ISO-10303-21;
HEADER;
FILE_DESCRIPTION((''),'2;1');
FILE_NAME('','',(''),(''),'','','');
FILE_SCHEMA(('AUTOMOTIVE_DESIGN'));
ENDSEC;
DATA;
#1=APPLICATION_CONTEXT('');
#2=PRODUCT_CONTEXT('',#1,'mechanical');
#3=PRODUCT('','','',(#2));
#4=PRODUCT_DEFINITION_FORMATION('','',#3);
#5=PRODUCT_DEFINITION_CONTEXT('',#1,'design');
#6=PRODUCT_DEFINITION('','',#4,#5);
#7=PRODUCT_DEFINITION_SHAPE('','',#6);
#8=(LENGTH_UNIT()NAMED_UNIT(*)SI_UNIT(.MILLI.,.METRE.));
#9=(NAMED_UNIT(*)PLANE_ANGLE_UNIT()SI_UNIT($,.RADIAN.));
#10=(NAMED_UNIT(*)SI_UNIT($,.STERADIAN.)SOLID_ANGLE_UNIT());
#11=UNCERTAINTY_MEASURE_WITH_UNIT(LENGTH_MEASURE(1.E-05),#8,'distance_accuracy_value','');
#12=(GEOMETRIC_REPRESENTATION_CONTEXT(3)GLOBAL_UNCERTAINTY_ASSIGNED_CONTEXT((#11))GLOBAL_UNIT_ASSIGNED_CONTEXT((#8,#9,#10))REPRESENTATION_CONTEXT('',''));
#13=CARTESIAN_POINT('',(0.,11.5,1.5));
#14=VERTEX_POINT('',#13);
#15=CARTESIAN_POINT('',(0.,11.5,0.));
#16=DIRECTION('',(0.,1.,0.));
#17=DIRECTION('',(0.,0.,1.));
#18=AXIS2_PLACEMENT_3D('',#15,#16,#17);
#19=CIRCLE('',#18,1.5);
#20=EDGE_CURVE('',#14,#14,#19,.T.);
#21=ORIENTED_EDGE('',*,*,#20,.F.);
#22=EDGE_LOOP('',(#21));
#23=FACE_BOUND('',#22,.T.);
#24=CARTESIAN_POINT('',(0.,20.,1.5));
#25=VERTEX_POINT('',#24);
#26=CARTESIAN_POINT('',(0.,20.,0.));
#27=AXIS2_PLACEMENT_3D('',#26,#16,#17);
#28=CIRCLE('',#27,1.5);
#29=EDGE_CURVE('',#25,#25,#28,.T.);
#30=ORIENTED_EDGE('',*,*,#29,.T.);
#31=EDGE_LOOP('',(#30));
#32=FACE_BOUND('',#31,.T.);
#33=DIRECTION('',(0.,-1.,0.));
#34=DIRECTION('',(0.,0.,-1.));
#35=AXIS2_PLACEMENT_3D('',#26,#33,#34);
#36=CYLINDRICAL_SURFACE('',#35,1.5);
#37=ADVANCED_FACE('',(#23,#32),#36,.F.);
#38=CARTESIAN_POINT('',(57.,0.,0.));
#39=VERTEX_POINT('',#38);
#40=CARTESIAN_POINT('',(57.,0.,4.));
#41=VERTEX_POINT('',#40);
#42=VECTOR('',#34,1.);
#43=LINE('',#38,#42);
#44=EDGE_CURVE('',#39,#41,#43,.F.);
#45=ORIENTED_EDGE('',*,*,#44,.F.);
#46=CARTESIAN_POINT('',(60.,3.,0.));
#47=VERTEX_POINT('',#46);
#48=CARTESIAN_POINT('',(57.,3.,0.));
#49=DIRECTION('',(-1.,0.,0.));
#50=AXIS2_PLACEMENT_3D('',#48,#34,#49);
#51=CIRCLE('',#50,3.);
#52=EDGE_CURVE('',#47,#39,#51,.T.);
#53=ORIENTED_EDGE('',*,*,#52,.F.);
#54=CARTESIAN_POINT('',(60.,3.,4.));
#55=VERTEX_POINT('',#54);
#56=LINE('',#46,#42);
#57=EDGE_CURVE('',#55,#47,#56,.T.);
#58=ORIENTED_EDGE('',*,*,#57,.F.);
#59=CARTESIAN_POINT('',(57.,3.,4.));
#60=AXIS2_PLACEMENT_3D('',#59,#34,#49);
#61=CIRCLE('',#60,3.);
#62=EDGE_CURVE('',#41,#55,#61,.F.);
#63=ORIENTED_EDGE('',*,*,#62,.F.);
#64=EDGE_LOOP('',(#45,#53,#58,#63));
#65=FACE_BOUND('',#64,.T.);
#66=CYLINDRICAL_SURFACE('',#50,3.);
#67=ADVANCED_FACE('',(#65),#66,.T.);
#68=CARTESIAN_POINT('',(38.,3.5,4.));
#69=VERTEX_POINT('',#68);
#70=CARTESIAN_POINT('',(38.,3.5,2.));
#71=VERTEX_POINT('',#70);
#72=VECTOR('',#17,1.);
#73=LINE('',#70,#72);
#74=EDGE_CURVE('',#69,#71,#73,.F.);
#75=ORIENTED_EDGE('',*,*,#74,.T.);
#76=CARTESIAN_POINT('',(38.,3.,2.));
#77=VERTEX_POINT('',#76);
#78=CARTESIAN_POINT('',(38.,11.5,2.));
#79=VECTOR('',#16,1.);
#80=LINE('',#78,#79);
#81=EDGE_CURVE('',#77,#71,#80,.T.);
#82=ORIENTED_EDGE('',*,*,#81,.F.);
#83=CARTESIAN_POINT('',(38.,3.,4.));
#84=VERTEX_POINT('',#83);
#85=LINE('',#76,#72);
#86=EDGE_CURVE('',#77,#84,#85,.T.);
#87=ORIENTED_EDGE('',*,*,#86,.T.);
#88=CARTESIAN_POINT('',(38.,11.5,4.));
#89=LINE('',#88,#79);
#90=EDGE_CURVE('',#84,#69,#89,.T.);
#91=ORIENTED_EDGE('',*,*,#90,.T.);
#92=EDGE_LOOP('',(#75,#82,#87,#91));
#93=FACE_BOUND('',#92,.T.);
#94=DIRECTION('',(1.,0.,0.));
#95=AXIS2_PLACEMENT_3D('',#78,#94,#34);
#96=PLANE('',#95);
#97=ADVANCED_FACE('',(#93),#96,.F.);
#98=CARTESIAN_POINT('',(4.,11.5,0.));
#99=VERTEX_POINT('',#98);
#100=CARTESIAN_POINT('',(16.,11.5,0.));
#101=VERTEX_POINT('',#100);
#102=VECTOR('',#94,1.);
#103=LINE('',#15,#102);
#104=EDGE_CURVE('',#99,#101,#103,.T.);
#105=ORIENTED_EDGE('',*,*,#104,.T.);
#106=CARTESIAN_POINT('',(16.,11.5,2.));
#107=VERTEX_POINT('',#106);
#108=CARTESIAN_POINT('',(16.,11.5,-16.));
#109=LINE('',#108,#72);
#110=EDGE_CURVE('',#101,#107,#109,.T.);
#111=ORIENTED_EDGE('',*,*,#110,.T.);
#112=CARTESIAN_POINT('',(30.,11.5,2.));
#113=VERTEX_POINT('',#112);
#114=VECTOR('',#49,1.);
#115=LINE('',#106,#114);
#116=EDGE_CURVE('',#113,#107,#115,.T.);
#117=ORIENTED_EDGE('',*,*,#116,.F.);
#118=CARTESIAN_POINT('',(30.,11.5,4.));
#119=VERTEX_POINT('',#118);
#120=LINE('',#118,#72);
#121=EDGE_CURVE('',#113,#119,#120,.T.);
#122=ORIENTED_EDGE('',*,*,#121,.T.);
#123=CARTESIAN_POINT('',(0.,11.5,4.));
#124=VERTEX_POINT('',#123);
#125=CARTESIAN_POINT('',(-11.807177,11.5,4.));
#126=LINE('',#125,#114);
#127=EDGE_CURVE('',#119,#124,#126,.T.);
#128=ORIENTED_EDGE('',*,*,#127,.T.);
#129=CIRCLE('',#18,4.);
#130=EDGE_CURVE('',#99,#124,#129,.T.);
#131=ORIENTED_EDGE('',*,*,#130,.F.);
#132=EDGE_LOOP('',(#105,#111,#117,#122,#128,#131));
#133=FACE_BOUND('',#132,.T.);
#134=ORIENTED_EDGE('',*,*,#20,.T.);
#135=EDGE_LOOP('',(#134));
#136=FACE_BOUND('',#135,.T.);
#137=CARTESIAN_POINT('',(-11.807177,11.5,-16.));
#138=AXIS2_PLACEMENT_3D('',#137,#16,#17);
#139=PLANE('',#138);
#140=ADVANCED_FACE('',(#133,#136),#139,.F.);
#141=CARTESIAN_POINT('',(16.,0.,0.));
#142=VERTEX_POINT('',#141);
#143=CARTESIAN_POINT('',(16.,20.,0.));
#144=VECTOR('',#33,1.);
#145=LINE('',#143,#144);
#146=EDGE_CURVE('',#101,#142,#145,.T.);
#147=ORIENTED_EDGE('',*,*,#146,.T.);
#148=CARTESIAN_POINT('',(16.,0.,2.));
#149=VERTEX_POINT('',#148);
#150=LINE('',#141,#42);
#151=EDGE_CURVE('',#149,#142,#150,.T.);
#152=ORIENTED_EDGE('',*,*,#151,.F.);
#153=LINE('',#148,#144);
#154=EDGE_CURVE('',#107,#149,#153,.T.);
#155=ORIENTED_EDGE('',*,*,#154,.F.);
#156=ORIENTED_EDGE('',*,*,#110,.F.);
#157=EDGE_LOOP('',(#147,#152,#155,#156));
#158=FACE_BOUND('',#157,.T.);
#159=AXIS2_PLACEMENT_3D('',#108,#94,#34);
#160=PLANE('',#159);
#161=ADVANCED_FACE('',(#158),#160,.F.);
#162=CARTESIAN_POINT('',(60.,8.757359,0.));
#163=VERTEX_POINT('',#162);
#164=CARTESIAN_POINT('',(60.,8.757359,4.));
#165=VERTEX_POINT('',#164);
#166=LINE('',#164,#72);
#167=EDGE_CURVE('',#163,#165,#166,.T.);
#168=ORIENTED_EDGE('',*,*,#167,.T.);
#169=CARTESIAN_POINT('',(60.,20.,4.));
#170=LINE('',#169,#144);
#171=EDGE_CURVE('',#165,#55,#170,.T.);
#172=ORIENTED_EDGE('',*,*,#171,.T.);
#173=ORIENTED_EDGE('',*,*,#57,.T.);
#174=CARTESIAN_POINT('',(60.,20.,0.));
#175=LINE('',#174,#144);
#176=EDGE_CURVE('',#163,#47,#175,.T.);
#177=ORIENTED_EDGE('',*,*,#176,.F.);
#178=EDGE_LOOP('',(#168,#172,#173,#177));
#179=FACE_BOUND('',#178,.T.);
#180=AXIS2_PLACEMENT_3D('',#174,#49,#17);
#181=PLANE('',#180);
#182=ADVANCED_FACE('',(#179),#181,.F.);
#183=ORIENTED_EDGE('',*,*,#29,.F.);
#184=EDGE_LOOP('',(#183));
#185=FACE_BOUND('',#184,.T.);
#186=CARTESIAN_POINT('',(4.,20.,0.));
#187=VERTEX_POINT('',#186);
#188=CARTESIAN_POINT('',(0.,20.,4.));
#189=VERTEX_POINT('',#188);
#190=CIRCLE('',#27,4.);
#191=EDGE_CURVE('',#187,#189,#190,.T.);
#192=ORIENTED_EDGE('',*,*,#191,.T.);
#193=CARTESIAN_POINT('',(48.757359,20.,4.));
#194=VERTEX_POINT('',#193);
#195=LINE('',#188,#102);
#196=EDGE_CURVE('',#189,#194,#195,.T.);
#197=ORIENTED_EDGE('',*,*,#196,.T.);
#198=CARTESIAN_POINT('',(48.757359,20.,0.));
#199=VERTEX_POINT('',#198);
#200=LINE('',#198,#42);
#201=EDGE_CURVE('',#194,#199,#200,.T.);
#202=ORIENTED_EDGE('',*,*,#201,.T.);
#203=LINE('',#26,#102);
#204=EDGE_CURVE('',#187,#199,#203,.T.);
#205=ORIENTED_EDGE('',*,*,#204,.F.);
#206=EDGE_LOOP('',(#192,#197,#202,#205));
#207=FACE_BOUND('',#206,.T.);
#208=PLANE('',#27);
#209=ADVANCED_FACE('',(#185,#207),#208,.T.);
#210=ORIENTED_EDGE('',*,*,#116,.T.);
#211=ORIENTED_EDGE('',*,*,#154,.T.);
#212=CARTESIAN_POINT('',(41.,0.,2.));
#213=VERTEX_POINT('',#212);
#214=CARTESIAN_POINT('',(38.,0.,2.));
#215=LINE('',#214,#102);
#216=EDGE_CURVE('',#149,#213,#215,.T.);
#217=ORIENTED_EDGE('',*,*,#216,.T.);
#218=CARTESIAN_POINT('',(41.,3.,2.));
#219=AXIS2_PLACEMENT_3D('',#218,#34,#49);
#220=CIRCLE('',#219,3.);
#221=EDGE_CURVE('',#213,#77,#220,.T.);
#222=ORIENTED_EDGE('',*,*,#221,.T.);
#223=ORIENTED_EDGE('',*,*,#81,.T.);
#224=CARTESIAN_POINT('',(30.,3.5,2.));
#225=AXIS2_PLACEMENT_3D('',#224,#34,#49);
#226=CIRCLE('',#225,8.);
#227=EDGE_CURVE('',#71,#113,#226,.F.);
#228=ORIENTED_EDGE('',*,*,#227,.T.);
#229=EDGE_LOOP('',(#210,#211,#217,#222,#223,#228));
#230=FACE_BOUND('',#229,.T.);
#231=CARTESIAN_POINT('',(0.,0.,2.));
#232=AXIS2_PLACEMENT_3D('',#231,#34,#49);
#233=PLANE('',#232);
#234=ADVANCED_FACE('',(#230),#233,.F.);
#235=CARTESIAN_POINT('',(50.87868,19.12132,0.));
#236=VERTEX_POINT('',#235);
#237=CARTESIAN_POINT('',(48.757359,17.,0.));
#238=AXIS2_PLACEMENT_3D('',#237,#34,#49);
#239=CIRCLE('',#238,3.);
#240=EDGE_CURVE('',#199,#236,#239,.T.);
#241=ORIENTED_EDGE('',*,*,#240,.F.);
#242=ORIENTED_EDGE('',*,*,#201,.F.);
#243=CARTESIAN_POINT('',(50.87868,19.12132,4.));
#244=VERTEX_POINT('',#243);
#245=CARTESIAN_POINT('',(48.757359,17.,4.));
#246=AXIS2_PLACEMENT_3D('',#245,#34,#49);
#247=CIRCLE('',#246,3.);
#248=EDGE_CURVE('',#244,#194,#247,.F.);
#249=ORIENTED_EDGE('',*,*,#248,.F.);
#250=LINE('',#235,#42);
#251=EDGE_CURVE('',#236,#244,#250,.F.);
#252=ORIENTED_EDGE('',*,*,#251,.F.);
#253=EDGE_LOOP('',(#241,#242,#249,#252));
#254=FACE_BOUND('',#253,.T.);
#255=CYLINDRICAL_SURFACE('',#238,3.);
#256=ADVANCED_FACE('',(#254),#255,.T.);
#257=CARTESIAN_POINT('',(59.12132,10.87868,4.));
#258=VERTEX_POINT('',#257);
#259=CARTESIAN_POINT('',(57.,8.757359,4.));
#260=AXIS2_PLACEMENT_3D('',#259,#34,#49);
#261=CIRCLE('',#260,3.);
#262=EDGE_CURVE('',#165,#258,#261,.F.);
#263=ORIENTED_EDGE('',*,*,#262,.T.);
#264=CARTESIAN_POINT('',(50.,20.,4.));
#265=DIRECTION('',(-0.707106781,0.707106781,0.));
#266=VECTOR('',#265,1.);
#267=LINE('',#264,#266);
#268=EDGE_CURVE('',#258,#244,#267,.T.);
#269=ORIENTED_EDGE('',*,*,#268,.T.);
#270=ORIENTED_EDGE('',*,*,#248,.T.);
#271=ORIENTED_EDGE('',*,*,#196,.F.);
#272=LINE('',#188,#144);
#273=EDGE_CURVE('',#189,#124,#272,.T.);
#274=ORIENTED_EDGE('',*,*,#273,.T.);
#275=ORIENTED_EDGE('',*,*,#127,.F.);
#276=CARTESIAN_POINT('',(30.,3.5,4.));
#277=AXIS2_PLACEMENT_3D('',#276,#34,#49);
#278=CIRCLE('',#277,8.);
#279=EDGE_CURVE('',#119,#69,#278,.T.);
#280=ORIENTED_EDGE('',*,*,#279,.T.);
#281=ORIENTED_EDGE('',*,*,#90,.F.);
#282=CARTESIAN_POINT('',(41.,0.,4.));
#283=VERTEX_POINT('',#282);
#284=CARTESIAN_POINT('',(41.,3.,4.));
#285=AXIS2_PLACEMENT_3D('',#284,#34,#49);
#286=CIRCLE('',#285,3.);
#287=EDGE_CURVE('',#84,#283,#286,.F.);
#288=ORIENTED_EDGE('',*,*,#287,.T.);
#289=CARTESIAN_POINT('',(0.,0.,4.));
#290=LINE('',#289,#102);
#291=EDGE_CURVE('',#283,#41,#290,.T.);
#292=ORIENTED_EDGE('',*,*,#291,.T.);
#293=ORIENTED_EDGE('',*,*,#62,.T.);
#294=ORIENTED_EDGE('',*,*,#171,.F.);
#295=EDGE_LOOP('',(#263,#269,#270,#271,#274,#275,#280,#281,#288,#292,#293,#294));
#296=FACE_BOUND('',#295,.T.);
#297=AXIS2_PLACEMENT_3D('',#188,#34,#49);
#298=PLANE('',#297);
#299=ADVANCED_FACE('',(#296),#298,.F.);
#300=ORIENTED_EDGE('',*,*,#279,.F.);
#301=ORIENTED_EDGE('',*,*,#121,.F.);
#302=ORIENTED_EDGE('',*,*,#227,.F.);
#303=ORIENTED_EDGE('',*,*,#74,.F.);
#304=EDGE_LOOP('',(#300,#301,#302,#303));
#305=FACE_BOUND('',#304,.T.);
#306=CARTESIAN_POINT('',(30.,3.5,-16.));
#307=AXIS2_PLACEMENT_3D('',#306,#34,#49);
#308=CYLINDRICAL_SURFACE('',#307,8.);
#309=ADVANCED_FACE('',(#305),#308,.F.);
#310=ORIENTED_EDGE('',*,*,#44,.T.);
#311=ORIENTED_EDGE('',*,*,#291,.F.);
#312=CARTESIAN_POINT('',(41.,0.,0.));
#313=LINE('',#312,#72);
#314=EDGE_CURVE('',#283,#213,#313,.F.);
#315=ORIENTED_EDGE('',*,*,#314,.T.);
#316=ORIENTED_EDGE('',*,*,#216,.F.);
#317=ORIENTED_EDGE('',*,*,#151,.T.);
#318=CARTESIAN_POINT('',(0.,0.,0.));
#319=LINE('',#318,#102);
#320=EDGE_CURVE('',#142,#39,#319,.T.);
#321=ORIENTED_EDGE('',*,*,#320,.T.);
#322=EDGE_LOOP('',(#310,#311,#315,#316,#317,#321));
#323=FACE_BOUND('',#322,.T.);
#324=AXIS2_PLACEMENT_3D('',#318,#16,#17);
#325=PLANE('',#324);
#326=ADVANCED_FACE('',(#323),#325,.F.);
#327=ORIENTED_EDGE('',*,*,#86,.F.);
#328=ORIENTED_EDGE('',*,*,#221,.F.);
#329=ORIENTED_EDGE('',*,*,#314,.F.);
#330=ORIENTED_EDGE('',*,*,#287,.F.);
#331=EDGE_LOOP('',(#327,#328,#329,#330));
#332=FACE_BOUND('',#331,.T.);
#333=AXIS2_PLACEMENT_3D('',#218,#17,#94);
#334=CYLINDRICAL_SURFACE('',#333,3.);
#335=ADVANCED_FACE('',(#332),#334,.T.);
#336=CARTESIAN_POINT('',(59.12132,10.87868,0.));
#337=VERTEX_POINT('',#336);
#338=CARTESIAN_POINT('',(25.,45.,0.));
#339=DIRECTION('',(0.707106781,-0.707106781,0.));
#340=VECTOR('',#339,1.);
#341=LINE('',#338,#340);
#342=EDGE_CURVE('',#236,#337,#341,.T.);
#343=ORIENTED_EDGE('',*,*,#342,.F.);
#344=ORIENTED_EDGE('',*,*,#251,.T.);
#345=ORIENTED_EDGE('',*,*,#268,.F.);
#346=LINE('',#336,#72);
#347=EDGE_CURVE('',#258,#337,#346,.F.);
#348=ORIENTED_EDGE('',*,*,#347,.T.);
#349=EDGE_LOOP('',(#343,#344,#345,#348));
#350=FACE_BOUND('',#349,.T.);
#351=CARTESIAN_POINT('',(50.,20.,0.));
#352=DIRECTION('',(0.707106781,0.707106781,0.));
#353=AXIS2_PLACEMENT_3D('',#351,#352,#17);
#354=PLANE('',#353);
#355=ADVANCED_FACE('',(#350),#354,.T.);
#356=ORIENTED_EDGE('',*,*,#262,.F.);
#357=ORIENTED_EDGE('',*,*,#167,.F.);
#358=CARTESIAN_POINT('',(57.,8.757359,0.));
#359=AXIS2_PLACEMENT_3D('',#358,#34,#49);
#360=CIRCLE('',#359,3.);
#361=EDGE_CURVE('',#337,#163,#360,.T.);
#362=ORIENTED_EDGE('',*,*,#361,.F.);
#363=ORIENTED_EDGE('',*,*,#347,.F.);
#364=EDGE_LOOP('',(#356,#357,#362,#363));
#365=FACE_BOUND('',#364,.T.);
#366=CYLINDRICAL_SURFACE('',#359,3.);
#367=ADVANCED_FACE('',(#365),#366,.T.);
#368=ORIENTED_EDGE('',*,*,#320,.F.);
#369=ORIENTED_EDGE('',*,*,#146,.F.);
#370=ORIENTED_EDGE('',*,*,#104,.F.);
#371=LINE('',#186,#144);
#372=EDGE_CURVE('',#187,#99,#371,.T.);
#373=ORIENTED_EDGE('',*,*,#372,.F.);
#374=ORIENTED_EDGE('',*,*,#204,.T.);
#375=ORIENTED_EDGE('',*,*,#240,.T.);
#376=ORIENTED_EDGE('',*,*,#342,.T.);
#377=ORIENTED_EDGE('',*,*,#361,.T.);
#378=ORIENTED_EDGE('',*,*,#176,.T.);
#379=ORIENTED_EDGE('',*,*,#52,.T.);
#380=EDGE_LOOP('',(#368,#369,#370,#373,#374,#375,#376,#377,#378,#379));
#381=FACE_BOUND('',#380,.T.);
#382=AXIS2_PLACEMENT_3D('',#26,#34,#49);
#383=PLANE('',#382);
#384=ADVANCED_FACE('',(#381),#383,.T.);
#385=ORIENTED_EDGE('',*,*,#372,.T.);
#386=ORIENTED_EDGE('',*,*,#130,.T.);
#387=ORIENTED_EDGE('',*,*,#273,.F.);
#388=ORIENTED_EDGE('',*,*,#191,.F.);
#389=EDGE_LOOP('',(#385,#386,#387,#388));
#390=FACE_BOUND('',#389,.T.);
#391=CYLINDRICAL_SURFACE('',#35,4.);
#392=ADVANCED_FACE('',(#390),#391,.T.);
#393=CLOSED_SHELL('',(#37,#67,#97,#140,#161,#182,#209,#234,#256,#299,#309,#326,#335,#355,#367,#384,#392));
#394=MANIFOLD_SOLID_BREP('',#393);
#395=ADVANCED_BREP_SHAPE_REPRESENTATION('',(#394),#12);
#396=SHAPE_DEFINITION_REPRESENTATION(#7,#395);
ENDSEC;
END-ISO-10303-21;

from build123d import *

# Parameters (mm, degrees)
CROQUIS1_R              = 4
CROQUIS1_R_2            = 1.5
SALIENTE_EXTRUIR1_DEPTH = 20
CROQUIS2_W              = 27.807177066
CROQUIS2_H              = 11.5
CORTAR_EXTRUIR1_DEPTH   = 20
CROQUIS3_W              = 22
CROQUIS3_H              = 11.5
CORTAR_EXTRUIR2_DEPTH   = 2
CHAFL_N1_SIZE           = 10
REDONDEO1_R             = 3
REDONDEO2_R             = 3
REDONDEO3_R             = 3
REDONDEO4_R             = 8


with BuildPart() as part:
    # Croquis1 → Saliente-Extruir1 (new body)
    # profile 1 of 2: a face of its own
    with BuildSketch(Plane(origin=(0, 0, 0), x_dir=(1, 0, 0), z_dir=(0, 1, 0))):
        Circle(CROQUIS1_R)
        with Locations(Location((0, 0, 0), (0, 0, 270))):
            Circle(CROQUIS1_R_2, mode=Mode.SUBTRACT)
    # profile 2 of 2: a face of its own
    with BuildSketch(Plane(origin=(0, 0, 0), x_dir=(1, 0, 0), z_dir=(0, 1, 0))):
        with BuildLine():
            Line((60, 0), (4, 0))
            ThreePointArc((4, 0), (2.828427125, -2.828427125), (0, -4))
            Line((0, -4), (60, -4))
            Line((60, -4), (60, 0))
        make_face()
    extrude(amount=SALIENTE_EXTRUIR1_DEPTH)

    # Croquis2 → Cortar-Extruir1 (cut)
    with BuildSketch(Plane.XY.offset(4)):
        with Locations((2.096411467, 5.75)):
            Rectangle(CROQUIS2_W, CROQUIS2_H)
    extrude(amount=-CORTAR_EXTRUIR1_DEPTH, mode=Mode.SUBTRACT)

    # Croquis3 → Cortar-Extruir2 (cut)
    with BuildSketch(Plane.XY.offset(4)):
        with Locations((27, 5.75)):
            Rectangle(CROQUIS3_W, CROQUIS3_H)
    extrude(amount=-CORTAR_EXTRUIR2_DEPTH, mode=Mode.SUBTRACT)

    # Chaflán1
    chafl_n1_edges = [part.edges().sort_by_distance(p)[0] for p in [
        (60, 20, 2),
    ]]
    chamfer(chafl_n1_edges, length=CHAFL_N1_SIZE)

    # Redondeo1
    redondeo1_edges = [part.edges().sort_by_distance(p)[0] for p in [
        (60, 0, 2),
    ]]
    fillet(redondeo1_edges, radius=REDONDEO1_R)

    # Redondeo2
    redondeo2_edges = [part.edges().sort_by_distance(p)[0] for p in [
        (50, 20, 2),
        (60, 10, 2),
    ]]
    fillet(redondeo2_edges, radius=REDONDEO2_R)

    # Redondeo3
    redondeo3_edges = [part.edges().sort_by_distance(p)[0] for p in [
        (38, 0, 3),
    ]]
    fillet(redondeo3_edges, radius=REDONDEO3_R)

    # Redondeo4
    redondeo4_edges = [part.edges().sort_by_distance(p)[0] for p in [
        (38, 11.5, 3),
    ]]
    fillet(redondeo4_edges, radius=REDONDEO4_R)


solid = part.part
